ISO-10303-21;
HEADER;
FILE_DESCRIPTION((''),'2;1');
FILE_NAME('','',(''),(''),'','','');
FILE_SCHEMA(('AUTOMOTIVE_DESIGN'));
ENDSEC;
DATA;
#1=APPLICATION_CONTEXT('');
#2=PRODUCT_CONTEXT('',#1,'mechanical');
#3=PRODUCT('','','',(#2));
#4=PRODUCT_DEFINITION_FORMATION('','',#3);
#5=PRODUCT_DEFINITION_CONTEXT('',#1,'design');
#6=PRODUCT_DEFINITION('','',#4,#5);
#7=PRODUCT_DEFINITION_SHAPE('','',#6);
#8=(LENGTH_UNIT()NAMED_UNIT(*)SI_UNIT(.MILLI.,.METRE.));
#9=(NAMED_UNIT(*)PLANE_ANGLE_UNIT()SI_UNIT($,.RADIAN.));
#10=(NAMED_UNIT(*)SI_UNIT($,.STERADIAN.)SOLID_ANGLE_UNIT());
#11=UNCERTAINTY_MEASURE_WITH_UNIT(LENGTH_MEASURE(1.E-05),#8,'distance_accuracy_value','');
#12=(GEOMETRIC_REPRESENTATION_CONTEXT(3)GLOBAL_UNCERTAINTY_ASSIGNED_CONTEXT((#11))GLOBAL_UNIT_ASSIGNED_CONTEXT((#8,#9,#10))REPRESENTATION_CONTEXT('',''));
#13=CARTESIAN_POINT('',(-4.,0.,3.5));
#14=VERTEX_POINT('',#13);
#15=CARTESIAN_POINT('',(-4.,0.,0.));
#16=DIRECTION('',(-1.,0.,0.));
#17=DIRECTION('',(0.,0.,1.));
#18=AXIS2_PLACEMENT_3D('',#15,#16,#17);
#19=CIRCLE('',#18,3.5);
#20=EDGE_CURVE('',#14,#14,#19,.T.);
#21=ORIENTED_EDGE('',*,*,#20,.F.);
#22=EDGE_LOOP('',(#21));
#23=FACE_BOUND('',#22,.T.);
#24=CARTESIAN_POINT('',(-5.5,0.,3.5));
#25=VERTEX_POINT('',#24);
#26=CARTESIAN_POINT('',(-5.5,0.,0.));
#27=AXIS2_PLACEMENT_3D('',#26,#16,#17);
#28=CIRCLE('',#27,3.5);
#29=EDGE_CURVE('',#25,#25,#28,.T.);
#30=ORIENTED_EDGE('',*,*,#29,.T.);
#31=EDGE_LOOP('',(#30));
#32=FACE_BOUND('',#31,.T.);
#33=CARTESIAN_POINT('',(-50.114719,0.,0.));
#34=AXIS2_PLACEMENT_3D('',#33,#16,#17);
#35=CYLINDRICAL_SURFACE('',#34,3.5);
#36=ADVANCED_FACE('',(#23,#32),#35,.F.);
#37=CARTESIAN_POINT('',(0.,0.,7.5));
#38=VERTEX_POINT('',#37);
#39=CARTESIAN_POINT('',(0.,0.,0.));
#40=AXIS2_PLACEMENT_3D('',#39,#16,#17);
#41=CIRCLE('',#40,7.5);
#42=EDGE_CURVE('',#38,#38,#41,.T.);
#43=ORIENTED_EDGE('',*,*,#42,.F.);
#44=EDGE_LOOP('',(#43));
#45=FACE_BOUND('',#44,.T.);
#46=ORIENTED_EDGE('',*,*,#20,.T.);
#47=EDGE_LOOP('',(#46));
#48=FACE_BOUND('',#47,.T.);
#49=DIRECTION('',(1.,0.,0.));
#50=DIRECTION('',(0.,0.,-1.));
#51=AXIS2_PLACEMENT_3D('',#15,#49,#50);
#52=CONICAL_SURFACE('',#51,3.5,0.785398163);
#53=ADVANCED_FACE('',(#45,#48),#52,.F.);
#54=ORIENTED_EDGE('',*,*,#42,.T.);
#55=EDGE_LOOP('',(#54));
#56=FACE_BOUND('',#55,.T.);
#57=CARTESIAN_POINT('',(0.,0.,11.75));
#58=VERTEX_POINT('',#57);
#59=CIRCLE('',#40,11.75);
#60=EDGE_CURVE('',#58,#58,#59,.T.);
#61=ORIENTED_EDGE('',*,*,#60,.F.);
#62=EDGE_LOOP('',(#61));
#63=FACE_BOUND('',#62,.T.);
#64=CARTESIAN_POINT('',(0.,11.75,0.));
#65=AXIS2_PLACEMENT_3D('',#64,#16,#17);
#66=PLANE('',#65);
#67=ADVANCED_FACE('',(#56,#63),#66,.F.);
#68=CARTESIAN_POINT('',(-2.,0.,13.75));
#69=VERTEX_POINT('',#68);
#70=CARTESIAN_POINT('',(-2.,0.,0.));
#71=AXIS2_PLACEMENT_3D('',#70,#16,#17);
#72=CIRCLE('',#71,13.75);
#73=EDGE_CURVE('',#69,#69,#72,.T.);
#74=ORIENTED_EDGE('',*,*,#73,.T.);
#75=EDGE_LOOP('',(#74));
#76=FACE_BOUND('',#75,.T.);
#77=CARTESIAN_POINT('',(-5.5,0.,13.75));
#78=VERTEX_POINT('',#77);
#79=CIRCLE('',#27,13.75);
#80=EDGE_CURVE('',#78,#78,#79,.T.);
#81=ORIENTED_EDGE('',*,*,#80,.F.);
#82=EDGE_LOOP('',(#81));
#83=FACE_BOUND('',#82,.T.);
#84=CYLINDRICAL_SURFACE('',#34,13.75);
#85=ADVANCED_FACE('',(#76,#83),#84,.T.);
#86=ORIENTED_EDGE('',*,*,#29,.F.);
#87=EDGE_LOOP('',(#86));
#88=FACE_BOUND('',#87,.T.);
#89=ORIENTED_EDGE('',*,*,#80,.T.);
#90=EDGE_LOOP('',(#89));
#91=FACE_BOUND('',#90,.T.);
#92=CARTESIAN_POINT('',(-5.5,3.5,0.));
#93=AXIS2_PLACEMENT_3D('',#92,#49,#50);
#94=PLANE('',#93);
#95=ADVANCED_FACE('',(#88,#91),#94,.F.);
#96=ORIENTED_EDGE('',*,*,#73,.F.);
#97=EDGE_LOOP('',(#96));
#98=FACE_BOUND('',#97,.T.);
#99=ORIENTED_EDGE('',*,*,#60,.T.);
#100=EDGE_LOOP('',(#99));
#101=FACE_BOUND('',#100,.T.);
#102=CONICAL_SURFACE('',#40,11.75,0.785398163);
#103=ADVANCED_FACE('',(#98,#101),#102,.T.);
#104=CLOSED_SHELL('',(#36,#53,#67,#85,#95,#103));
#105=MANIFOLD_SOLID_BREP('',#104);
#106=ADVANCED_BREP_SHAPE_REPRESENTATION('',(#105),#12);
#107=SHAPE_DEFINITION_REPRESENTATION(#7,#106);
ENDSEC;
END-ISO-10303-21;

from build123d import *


with BuildPart() as part:
    # Skizze1 → Rotation1 (revolve)
    with BuildSketch(Plane.XY, mode=Mode.PRIVATE) as rotation1_sk:
        Polygon((-5.5, 3.5), (-5.5, 13.75), (-2, 13.75), (0, 11.75), (0, 7.5), (-4, 3.5), align=None)
    revolve(rotation1_sk.sketch.rotate(Axis((-50.114719061, 0, 0), (1, 0, 0)), 90), axis=Axis((-50.114719061, 0, 0), (1, 0, 0)))


solid = part.part
